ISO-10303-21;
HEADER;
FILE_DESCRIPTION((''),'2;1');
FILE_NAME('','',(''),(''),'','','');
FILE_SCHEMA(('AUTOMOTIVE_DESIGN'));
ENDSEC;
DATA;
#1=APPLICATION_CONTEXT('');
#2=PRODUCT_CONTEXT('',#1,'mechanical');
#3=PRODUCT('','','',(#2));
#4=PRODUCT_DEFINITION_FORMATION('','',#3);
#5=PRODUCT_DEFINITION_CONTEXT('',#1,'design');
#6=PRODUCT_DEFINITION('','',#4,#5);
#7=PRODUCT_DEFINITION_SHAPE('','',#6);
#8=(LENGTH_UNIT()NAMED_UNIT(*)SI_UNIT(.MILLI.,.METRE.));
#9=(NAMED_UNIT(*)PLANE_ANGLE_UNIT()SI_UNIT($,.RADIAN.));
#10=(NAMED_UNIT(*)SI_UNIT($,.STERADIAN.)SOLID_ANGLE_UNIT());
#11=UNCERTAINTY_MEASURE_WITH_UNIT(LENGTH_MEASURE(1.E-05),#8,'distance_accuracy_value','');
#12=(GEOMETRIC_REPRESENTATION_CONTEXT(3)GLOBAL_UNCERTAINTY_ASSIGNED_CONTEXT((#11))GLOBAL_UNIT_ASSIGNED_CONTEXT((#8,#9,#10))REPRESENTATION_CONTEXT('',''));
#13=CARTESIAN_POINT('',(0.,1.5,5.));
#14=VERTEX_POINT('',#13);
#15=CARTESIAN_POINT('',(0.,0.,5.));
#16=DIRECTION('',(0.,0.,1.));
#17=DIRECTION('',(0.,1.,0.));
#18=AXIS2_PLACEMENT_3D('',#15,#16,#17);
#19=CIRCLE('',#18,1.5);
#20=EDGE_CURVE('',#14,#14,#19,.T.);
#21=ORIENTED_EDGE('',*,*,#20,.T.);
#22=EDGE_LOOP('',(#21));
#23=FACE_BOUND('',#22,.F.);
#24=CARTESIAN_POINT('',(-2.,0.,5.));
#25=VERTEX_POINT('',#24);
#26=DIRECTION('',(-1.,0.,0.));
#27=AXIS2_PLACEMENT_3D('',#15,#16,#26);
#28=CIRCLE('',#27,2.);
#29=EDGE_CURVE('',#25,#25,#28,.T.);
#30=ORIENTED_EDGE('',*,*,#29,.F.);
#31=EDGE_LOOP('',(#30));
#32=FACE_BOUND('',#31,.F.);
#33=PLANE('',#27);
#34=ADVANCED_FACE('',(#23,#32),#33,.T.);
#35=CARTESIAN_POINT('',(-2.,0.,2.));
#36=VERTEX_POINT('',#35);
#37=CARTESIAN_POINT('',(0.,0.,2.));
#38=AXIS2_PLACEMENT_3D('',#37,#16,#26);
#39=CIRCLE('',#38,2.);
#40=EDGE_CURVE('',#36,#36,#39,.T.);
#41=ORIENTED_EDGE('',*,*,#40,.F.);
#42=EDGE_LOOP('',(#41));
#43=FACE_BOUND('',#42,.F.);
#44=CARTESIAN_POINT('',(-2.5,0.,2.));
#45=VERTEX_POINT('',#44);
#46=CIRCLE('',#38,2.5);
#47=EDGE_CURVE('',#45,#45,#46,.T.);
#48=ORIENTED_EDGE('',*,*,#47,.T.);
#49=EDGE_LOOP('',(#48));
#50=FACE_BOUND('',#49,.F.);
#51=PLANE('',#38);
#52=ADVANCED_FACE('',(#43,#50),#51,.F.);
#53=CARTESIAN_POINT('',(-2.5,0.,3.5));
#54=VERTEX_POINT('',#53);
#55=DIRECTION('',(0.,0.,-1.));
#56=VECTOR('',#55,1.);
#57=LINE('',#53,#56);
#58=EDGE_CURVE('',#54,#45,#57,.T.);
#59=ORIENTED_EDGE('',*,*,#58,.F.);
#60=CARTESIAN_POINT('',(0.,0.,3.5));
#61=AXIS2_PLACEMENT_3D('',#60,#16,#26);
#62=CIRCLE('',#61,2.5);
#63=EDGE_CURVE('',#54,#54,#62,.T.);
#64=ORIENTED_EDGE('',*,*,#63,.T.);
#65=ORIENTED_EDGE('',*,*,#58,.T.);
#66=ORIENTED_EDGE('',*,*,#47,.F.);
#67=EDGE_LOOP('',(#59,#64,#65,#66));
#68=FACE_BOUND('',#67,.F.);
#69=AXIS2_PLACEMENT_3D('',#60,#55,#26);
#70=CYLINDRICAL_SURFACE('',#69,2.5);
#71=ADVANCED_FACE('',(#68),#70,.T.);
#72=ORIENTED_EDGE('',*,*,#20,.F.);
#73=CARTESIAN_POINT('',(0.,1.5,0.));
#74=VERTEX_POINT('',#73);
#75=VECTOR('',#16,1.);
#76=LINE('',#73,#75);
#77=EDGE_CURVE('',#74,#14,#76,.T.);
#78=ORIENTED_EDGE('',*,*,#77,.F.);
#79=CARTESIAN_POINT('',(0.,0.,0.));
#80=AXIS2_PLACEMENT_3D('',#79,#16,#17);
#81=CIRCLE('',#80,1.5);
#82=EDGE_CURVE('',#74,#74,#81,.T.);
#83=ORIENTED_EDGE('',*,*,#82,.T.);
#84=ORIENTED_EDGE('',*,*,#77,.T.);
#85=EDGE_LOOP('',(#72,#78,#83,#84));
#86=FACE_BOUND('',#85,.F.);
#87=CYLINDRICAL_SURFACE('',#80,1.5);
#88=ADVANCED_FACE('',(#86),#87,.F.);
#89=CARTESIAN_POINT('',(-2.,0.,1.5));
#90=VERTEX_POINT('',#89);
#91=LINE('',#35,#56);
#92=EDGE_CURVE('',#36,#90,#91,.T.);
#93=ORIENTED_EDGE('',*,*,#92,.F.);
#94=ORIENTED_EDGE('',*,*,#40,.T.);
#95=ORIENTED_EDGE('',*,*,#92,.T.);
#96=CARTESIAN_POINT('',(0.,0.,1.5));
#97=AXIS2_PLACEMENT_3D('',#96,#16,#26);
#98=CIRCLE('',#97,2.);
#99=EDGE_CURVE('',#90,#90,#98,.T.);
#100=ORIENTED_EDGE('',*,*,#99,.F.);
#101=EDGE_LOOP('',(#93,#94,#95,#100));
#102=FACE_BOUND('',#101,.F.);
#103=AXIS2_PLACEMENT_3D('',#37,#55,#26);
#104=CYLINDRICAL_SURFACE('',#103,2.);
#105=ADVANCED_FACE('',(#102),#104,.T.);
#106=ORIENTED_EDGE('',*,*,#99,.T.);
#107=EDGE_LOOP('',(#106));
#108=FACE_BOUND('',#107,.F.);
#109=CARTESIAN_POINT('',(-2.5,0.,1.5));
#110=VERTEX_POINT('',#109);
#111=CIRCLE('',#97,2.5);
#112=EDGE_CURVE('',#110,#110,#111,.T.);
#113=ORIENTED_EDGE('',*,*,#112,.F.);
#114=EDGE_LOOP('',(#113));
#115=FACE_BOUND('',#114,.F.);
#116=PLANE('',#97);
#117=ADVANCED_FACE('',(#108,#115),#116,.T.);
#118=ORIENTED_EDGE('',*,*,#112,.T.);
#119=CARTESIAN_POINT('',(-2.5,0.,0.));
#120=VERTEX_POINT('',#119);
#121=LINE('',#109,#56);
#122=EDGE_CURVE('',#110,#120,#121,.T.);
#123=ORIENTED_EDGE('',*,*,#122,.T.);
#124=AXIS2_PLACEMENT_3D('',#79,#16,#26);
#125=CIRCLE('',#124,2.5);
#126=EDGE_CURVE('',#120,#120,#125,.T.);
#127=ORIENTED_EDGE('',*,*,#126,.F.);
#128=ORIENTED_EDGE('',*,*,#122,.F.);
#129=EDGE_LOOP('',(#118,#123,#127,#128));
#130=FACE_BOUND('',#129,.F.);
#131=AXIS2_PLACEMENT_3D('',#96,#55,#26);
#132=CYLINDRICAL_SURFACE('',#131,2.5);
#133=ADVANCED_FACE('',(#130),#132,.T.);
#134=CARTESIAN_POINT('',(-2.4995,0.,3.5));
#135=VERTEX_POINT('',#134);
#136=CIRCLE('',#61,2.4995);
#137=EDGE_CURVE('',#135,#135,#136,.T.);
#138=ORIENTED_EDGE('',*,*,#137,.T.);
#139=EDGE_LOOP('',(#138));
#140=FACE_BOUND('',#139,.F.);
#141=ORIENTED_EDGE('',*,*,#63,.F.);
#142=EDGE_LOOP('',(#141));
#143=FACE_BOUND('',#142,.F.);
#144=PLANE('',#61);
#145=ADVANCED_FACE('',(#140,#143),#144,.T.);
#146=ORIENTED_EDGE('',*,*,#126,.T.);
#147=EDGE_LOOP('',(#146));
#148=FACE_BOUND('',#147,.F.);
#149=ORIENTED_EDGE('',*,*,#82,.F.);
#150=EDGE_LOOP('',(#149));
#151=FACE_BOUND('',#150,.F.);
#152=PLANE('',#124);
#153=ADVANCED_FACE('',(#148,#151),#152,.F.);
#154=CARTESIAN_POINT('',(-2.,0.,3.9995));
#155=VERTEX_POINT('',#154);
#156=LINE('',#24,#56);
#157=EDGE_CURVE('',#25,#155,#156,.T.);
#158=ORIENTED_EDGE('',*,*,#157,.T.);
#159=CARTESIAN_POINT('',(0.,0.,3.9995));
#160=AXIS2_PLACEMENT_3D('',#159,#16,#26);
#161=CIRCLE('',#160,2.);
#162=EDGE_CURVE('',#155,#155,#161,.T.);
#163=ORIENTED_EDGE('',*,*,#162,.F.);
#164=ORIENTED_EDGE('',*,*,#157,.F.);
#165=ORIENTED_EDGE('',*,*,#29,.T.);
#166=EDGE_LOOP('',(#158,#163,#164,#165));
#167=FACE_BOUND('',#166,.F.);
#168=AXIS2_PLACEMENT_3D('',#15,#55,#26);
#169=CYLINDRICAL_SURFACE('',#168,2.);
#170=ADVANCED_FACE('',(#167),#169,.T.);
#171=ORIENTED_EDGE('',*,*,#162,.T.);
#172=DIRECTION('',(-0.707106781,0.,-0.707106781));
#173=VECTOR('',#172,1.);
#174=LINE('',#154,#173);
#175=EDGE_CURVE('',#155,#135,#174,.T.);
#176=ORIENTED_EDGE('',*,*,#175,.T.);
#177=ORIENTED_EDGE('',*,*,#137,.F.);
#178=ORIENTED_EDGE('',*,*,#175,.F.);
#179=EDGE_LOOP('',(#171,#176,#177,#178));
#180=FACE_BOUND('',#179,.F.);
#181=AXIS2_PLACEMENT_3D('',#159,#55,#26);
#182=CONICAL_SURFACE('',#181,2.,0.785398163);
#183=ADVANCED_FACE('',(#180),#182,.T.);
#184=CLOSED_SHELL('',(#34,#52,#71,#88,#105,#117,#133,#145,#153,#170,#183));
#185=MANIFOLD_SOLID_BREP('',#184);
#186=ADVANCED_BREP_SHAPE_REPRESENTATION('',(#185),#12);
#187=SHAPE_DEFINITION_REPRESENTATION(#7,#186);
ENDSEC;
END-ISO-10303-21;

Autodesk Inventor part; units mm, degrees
ref_plane "YZ Plane" through (0, 0, 0) normal (1, 0, 0) x (0, 1, 0)
ref_plane "XZ Plane" through (0, 0, 0) normal (0, 1, 0) x (-1, 0, 0)
ref_plane "XY Plane" through (0, 0, 0) normal (0, 0, 1) x (1, 0, 0)
sketch "Sketch1" plane through (0, 0, 0) normal (0, 1, 0) x (-1, 0, 0)
  line L0 (0, 0) -> (0, 5)
  line L1 (0, 5) -> (2, 5)
  line L2 (2, 5) -> (2, 3.5)
  line L3 (2, 3.5) -> (2.5, 3.5)
  line L4 (2.5, 3.5) -> (2.5, 2)
  line L5 (2.5, 2) -> (2, 2)
  line L6 (2, 2) -> (2, 1.5)
  line L7 (2, 1.5) -> (2.5, 1.5)
  line L8 (2.5, 1.5) -> (2.5, 0)
  line L9 (2.5, 0) -> (0, 0)
  dimension "d0" = 5
  dimension "d1" = 5
  dimension "d2" = 4
  dimension "d3" = 1.5
  dimension "d4" = 0.5
  dimension "d5" = 1.5
revolve "Revolution1" add sketch "Sketch1" angle 360 about axis through (0, 0, 0) along (0, 0, 1)
chamfer "Chamfer1" distance 0.5 angle 45 1 edges at (2, 0, 3.5)
hole "Hole1" at (0, 0, 0) direction (0, 0, 1) diameter 3 depth 6 tip angle 118
thread "Thread1" size "M3x0.5" class "6H" standard "ANSI Metric M Profile" full length
properties part number "brass-insert-m3x5" material "Brass, Soft Yellow"
